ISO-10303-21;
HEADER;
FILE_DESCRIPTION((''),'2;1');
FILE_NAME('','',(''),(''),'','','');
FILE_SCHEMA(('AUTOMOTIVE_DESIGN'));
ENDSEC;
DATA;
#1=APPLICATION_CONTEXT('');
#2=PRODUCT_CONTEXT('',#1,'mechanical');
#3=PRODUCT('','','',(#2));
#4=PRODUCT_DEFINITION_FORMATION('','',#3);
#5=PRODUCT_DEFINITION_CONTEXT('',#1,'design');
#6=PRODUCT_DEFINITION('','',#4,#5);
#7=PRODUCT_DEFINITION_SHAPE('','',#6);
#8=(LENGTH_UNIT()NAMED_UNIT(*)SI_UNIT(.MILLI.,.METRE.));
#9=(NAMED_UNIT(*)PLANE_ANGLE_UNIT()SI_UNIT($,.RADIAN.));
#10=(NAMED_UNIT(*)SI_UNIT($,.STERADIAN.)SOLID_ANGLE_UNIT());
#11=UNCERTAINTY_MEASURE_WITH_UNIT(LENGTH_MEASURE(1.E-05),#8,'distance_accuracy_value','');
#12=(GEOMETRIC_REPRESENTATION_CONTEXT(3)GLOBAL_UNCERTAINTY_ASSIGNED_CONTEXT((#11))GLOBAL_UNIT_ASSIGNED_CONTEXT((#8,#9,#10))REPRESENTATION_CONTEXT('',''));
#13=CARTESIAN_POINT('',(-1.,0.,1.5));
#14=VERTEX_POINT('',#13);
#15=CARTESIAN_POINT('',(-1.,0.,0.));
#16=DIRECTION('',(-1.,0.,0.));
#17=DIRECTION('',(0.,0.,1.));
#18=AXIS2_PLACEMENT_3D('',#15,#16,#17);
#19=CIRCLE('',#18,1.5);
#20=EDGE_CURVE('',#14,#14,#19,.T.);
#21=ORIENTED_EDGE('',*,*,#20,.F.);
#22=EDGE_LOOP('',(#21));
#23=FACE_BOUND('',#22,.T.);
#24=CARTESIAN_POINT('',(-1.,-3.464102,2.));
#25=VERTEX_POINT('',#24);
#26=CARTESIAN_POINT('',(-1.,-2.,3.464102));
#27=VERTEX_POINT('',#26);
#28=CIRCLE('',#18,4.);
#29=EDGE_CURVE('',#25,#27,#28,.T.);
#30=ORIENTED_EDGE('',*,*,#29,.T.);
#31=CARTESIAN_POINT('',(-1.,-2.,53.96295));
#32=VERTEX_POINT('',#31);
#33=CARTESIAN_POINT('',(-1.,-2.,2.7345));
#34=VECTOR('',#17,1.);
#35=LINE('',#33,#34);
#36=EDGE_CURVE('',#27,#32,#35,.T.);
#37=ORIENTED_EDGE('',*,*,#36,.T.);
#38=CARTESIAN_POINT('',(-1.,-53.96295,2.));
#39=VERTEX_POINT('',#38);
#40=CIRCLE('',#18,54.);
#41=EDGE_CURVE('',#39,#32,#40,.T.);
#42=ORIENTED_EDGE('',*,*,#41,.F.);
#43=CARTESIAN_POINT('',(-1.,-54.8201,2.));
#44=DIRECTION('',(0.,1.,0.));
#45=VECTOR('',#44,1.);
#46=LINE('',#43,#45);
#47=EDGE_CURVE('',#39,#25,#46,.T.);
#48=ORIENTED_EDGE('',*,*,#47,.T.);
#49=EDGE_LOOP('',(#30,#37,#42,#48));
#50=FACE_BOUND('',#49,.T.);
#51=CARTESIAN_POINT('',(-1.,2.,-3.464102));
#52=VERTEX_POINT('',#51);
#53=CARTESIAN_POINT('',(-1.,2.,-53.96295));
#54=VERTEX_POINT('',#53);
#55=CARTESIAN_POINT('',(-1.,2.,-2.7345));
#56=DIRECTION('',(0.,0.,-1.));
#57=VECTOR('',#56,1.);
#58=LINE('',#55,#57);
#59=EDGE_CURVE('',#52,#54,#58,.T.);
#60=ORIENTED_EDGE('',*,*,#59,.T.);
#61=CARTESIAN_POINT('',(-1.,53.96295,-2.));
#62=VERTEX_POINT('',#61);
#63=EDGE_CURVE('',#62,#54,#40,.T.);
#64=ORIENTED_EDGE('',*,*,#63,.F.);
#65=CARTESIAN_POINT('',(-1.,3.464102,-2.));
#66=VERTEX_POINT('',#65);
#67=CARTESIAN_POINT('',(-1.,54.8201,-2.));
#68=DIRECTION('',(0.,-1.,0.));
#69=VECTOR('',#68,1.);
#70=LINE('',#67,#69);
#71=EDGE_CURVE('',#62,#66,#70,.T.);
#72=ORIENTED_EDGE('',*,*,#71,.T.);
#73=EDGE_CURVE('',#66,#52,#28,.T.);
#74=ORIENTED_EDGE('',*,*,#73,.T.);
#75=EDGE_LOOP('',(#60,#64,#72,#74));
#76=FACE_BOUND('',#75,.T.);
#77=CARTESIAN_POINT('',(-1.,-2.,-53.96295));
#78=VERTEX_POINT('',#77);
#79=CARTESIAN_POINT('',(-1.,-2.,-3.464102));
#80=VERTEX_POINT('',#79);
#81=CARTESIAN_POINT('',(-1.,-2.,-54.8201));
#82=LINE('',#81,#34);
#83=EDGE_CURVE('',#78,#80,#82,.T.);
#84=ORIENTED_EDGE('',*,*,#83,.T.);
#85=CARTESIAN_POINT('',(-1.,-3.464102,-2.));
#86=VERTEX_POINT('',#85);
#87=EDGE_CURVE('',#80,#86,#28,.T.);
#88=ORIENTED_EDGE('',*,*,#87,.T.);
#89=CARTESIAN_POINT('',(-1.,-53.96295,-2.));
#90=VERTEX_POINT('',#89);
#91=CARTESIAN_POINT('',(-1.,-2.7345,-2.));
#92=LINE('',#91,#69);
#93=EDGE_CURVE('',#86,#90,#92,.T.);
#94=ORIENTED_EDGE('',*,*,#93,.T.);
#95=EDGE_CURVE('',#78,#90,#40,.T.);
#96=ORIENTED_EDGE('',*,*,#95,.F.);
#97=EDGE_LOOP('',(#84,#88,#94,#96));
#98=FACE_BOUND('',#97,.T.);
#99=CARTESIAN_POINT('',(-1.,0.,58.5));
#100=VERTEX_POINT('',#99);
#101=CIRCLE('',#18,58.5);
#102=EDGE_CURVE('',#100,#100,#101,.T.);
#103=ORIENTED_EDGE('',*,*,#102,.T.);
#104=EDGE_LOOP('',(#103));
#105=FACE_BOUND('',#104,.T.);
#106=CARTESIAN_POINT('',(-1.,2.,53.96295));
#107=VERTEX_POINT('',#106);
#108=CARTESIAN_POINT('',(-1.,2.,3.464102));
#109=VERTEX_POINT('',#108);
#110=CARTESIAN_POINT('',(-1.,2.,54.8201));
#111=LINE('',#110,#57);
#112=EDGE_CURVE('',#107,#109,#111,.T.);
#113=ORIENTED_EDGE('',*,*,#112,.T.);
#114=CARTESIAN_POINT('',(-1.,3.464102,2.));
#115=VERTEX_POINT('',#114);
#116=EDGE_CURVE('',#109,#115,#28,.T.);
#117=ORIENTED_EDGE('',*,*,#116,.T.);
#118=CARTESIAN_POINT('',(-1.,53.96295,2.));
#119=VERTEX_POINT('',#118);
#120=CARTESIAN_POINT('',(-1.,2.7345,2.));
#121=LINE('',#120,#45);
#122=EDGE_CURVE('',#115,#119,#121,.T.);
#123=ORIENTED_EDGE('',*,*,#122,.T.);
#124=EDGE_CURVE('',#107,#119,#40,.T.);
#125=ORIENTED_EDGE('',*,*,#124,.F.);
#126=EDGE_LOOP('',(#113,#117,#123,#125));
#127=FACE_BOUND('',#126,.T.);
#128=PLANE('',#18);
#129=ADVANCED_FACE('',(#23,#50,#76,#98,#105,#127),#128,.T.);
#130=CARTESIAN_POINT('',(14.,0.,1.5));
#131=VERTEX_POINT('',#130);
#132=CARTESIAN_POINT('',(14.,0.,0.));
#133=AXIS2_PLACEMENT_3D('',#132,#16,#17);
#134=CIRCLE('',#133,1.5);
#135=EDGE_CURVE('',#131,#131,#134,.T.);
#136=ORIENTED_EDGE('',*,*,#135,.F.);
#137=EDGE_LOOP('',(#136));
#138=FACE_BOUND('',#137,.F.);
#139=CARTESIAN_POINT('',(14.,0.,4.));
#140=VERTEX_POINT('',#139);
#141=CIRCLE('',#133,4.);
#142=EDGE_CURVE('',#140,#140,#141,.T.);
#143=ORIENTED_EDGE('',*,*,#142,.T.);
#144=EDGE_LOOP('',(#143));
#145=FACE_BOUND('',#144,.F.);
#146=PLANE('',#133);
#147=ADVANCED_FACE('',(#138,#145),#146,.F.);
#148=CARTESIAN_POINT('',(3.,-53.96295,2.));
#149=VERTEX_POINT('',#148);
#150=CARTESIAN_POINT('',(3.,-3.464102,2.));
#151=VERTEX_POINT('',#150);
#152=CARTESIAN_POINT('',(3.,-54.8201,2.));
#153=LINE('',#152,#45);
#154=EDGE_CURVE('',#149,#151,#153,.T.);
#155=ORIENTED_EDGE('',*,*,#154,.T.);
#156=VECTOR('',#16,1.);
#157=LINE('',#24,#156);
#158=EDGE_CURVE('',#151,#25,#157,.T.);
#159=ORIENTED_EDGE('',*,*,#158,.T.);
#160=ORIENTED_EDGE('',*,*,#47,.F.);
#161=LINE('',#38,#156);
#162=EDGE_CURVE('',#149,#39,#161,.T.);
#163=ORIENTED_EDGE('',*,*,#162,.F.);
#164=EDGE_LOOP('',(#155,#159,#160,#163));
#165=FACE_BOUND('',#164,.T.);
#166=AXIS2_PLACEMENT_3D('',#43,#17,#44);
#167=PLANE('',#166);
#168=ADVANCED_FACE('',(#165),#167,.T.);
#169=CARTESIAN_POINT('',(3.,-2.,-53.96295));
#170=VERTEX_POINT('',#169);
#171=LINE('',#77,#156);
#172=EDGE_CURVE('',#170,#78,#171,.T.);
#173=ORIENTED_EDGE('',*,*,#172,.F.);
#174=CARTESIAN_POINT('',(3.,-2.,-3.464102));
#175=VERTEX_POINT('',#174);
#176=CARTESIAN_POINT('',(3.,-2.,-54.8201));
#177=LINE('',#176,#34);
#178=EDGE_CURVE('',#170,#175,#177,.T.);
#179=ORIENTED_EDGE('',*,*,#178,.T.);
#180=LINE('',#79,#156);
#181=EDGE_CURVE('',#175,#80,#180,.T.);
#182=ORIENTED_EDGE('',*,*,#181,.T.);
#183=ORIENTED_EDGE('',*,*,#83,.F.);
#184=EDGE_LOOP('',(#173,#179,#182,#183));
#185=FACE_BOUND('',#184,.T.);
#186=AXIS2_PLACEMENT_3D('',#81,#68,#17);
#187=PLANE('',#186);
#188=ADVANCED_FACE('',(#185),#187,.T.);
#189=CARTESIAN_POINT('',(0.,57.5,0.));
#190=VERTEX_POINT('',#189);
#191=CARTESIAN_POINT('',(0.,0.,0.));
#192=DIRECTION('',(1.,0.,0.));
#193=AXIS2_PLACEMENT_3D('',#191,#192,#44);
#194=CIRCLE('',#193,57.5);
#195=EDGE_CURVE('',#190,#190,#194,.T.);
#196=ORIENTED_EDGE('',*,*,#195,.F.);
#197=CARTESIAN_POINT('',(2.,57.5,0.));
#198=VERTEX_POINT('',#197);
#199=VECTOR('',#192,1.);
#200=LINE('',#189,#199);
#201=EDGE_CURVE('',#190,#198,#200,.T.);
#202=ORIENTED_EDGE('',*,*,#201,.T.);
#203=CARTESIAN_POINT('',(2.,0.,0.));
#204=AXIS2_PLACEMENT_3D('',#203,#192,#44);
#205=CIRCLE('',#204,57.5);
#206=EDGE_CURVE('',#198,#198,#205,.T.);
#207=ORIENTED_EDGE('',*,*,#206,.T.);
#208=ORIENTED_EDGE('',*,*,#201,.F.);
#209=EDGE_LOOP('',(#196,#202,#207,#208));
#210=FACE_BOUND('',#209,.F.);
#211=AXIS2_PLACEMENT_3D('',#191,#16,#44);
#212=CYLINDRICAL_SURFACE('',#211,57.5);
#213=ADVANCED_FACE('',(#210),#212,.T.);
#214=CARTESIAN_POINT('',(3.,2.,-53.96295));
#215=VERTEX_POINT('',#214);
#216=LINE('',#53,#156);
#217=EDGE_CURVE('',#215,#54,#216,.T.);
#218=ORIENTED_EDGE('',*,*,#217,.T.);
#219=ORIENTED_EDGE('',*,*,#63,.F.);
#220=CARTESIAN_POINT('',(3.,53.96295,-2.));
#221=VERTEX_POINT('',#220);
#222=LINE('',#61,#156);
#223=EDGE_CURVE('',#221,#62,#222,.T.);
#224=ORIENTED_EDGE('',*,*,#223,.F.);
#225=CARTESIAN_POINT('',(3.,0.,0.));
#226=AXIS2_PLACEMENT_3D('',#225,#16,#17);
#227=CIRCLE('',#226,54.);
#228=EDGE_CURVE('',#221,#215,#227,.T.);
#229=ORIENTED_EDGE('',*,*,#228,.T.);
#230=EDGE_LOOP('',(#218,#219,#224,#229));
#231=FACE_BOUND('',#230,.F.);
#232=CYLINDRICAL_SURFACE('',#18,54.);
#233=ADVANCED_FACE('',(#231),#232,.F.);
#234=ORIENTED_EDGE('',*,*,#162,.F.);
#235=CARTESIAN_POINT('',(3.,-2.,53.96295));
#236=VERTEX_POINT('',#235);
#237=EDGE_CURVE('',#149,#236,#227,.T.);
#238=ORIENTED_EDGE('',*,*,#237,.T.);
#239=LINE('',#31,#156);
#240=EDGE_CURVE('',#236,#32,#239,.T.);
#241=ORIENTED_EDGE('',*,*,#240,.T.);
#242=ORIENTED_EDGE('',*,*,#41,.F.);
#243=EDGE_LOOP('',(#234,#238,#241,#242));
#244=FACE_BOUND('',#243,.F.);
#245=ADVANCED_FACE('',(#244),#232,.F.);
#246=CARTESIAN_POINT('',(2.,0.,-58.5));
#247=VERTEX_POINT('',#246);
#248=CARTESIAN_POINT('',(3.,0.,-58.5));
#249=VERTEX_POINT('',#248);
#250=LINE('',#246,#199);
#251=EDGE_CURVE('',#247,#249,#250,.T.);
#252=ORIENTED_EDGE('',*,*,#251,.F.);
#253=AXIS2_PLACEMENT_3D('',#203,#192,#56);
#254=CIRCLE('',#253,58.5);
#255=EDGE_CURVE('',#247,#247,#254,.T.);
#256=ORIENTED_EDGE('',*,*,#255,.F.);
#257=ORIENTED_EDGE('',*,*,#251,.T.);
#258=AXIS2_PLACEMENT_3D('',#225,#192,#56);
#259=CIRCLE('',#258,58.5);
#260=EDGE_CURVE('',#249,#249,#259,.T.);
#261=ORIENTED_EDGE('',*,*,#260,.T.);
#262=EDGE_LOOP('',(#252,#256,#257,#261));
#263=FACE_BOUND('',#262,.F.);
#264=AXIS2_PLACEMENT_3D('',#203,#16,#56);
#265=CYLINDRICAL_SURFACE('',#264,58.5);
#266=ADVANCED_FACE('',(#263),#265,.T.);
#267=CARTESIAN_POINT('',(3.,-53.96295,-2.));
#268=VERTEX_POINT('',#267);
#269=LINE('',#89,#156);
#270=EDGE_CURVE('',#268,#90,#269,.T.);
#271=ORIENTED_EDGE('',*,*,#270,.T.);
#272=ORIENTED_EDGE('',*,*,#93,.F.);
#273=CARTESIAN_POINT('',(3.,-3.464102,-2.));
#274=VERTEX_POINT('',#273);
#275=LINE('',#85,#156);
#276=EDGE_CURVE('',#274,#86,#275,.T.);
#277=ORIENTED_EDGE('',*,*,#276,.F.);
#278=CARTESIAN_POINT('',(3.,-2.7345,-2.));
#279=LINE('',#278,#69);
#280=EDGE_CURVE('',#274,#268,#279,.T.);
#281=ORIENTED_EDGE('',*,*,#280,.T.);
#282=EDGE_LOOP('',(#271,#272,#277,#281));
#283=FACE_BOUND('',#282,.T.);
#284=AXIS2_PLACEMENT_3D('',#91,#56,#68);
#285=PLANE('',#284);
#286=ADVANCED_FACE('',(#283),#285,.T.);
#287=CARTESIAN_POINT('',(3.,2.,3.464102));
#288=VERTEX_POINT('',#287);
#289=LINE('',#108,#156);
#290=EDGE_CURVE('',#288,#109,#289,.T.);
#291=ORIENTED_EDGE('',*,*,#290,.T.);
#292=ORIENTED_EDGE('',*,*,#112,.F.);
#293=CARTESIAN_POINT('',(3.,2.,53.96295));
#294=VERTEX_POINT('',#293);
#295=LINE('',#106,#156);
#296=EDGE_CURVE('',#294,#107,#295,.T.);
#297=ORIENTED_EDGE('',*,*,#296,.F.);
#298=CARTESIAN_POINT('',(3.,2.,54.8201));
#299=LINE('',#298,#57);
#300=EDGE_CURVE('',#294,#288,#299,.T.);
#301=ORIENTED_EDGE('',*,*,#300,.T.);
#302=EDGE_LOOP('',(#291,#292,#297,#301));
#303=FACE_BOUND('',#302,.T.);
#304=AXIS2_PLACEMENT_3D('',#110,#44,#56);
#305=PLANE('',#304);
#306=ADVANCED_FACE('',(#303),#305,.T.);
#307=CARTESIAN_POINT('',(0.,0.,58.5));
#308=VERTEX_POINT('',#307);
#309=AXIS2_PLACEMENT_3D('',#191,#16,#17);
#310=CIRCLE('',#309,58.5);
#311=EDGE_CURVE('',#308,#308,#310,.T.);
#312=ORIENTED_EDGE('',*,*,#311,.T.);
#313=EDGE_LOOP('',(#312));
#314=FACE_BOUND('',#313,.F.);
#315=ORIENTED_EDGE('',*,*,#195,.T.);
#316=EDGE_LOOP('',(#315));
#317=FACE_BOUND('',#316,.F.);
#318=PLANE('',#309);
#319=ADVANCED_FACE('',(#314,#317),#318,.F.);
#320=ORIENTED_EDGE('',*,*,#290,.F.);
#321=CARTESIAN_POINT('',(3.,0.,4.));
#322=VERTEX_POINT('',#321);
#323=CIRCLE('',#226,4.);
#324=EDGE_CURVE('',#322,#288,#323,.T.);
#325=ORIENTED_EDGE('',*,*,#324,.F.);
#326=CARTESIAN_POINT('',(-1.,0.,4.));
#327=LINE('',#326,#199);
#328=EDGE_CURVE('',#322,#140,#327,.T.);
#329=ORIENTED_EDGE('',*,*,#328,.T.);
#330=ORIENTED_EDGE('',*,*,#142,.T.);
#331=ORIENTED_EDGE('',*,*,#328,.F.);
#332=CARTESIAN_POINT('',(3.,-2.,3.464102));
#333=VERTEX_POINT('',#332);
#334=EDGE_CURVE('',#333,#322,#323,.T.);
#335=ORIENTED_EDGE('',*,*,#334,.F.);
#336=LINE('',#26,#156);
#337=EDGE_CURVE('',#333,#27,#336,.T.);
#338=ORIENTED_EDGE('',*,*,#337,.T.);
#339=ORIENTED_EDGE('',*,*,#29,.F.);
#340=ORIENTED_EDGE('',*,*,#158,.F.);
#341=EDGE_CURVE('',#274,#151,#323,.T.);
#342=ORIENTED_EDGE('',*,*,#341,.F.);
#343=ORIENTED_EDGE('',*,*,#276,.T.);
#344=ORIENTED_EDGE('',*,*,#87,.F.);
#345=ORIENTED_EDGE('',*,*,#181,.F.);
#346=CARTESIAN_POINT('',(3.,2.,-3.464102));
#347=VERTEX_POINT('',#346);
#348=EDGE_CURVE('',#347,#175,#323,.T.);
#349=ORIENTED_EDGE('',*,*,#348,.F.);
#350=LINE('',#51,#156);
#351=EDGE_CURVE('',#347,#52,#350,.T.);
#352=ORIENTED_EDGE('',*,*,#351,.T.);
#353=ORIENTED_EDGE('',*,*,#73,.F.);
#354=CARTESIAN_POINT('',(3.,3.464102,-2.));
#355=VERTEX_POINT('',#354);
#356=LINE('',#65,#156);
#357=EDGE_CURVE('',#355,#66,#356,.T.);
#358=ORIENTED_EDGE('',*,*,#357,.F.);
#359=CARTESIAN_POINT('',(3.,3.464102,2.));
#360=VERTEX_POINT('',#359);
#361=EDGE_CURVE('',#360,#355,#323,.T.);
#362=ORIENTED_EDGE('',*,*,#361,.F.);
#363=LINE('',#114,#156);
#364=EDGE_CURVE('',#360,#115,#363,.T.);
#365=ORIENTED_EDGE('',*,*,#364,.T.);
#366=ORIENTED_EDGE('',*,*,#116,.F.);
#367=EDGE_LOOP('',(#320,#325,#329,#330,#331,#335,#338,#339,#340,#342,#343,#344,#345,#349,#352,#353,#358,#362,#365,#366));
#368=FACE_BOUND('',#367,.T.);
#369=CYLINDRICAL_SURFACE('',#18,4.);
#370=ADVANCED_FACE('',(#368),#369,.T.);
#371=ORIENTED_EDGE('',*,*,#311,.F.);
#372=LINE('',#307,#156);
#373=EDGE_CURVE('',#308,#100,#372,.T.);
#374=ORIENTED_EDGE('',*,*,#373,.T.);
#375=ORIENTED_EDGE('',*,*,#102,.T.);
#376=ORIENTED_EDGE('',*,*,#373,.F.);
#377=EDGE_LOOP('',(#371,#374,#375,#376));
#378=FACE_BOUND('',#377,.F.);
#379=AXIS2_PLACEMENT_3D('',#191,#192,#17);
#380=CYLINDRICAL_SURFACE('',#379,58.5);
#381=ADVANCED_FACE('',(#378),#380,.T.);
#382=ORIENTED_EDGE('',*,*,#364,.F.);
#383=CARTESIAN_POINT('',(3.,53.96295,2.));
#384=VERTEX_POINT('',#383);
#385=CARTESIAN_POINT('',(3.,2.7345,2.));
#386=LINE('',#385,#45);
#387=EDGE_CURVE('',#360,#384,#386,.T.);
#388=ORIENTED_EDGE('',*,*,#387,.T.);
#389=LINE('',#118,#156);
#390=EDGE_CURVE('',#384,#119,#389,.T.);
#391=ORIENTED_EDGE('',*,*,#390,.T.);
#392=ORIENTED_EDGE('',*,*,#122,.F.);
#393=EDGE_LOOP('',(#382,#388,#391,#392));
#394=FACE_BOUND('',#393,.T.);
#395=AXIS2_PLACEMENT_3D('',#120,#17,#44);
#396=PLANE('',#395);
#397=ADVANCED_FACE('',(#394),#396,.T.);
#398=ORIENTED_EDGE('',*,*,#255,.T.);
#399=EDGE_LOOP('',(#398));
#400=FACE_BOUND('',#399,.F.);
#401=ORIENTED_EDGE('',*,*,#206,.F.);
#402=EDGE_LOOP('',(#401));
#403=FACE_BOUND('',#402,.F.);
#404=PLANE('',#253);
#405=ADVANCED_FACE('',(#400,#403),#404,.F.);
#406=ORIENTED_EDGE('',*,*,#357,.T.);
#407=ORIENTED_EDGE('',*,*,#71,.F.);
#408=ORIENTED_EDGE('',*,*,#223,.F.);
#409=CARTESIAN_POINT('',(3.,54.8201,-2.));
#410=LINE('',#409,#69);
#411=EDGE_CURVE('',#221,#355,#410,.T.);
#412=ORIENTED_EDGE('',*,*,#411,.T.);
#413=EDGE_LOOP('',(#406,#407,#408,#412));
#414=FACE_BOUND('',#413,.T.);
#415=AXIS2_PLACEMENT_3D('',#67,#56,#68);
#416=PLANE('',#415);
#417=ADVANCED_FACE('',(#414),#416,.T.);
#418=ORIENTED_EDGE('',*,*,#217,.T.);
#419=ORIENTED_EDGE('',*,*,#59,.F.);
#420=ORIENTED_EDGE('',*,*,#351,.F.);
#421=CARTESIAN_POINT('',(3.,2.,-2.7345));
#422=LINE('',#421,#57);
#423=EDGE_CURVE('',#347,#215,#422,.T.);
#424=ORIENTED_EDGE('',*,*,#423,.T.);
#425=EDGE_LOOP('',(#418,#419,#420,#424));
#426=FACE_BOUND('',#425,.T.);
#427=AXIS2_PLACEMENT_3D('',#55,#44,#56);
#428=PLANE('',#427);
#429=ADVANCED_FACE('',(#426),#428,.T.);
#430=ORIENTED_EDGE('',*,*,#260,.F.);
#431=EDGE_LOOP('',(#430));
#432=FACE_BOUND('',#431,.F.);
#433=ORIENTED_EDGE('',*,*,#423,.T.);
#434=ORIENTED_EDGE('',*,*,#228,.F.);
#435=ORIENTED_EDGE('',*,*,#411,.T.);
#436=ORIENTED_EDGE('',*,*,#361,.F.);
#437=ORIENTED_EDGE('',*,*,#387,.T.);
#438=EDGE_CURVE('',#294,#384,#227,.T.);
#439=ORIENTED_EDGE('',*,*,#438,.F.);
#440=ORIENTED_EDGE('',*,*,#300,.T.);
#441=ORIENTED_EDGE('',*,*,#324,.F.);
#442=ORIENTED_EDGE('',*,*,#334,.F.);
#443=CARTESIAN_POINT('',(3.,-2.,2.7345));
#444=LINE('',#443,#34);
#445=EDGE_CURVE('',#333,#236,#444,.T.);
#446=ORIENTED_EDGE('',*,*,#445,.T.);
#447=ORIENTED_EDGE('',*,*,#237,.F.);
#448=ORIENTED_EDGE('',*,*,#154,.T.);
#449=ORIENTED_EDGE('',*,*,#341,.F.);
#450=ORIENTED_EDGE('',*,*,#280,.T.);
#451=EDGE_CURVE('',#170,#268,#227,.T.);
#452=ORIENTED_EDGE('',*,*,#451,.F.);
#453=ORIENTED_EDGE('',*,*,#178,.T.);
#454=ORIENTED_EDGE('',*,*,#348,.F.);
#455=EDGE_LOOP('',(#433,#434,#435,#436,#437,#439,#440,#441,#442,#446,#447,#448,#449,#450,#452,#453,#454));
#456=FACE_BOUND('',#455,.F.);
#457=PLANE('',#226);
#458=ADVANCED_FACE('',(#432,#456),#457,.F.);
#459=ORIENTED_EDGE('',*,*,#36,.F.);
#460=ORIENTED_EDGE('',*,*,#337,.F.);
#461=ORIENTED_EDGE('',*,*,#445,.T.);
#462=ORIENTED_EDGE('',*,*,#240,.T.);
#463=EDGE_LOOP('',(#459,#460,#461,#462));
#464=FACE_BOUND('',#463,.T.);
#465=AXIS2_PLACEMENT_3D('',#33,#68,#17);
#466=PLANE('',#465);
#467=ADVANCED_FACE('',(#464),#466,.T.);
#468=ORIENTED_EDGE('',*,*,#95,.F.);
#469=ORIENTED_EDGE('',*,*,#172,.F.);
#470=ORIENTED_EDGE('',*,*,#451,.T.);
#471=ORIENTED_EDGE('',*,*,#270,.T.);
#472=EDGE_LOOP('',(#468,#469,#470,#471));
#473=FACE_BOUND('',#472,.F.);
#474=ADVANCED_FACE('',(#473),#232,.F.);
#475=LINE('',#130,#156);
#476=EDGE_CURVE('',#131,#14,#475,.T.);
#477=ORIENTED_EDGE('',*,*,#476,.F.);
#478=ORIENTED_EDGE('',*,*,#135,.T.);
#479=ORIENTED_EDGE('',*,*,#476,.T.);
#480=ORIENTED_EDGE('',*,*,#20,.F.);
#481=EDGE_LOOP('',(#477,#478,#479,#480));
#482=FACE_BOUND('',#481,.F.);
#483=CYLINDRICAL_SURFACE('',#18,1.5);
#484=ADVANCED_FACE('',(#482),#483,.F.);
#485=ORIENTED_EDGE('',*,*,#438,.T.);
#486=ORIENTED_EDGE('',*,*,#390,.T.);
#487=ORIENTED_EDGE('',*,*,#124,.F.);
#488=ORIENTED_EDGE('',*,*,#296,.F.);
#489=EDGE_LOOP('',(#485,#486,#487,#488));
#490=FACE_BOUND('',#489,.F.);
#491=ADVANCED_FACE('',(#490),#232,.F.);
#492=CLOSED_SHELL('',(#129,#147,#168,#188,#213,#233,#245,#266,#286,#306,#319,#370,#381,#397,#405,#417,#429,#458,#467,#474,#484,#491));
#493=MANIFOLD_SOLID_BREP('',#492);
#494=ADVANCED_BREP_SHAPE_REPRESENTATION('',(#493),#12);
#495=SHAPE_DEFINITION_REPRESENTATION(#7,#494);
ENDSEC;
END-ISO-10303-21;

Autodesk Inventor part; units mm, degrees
ref_plane "YZ Plane" through (0, 0, 0) normal (1, 0, 0) x (0, 1, 0)
ref_plane "XZ Plane" through (0, 0, 0) normal (0, 1, 0) x (-1, 0, 0)
ref_plane "XY Plane" through (0, 0, 0) normal (0, 0, 1) x (1, 0, 0)
sketch "Sketch1" plane through (0, 0, 0) normal (1, 0, 0) x (0, 1, 0)
  circle A0 centre (0, 0) radius 57.5
  dimension "d0" = 115
extrude "Extrusion1" add sketch "Sketch1" along normal blind 2
sketch "Sketch2" plane through (2, 0, 0) normal (1, 0, 0) x (0, 0, -1)
  circle A0 centre (0, 0) radius 58.5
  dimension "d3" = 117
extrude "Extrusion2" add sketch "Sketch2" along normal blind 1
sketch "Sketch3" plane through (0, 0, 0) normal (-1, 0, 0) x (0, 0, 1)
  circle A0 centre (0, 0) radius 58.5
extrude "Extrusion3" add sketch "Sketch3" along normal blind 1
sketch "Sketch4" plane through (-1, 0, 0) normal (-1, 0, 0) x (0, 0, 1)
  circle A0 centre (0, 0) radius 54
  dimension "d8" = 108
extrude "Extrusion4" cut sketch "Sketch4" against normal blind 5
sketch "Sketch5" plane through (-1, 0, 0) normal (-1, 0, 0) x (0, 0, 1)
  circle A0 centre (0, 0) radius 1.5
  circle A1 centre (0, 0) radius 3.5
  dimension "d11" = 3
  dimension "d12" = 7
extrude "Extrusion5" add sketch "Sketch5" against normal blind 5
sketch "Sketch6" plane through (-1, 0, 0) normal (-1, 0, 0) x (0, 0, 1)
  line L0 (2.7345, 0) -> (2.7345, 2) construction
  line L1 (2.7345, 2) -> (2.7345, -2) construction
  line L2 (2.7345, -2) -> (54.8201, -2)
  line L3 (54.8201, -2) -> (54.8201, 2)
  line L4 (54.8201, 2) -> (2.7345, 2)
  line L5 (2.7345, 2) -> (2.7345, -2)
  point P0 (0, 0)
  dimension "d15" = 2
  dimension "d16" = 4
extrude "Extrusion6" add sketch "Sketch6" against normal blind 4
pattern_circular "Circular Pattern1" count 4 over 360 about axis through (-1, 0, 0) along (1, 0, 0) of "Extrusion6"
sketch "Sketch7" plane through (-1, 0, 0) normal (-1, 0, 0) x (0, 0, 1)
  circle A0 centre (0, 0) radius 1.5
  circle A1 centre (0, 0) radius 4
  dimension "d22" = 8
extrude "Extrusion7" add sketch "Sketch7" against normal blind 15
properties part number "mtv_pushingWheel_1-13"
